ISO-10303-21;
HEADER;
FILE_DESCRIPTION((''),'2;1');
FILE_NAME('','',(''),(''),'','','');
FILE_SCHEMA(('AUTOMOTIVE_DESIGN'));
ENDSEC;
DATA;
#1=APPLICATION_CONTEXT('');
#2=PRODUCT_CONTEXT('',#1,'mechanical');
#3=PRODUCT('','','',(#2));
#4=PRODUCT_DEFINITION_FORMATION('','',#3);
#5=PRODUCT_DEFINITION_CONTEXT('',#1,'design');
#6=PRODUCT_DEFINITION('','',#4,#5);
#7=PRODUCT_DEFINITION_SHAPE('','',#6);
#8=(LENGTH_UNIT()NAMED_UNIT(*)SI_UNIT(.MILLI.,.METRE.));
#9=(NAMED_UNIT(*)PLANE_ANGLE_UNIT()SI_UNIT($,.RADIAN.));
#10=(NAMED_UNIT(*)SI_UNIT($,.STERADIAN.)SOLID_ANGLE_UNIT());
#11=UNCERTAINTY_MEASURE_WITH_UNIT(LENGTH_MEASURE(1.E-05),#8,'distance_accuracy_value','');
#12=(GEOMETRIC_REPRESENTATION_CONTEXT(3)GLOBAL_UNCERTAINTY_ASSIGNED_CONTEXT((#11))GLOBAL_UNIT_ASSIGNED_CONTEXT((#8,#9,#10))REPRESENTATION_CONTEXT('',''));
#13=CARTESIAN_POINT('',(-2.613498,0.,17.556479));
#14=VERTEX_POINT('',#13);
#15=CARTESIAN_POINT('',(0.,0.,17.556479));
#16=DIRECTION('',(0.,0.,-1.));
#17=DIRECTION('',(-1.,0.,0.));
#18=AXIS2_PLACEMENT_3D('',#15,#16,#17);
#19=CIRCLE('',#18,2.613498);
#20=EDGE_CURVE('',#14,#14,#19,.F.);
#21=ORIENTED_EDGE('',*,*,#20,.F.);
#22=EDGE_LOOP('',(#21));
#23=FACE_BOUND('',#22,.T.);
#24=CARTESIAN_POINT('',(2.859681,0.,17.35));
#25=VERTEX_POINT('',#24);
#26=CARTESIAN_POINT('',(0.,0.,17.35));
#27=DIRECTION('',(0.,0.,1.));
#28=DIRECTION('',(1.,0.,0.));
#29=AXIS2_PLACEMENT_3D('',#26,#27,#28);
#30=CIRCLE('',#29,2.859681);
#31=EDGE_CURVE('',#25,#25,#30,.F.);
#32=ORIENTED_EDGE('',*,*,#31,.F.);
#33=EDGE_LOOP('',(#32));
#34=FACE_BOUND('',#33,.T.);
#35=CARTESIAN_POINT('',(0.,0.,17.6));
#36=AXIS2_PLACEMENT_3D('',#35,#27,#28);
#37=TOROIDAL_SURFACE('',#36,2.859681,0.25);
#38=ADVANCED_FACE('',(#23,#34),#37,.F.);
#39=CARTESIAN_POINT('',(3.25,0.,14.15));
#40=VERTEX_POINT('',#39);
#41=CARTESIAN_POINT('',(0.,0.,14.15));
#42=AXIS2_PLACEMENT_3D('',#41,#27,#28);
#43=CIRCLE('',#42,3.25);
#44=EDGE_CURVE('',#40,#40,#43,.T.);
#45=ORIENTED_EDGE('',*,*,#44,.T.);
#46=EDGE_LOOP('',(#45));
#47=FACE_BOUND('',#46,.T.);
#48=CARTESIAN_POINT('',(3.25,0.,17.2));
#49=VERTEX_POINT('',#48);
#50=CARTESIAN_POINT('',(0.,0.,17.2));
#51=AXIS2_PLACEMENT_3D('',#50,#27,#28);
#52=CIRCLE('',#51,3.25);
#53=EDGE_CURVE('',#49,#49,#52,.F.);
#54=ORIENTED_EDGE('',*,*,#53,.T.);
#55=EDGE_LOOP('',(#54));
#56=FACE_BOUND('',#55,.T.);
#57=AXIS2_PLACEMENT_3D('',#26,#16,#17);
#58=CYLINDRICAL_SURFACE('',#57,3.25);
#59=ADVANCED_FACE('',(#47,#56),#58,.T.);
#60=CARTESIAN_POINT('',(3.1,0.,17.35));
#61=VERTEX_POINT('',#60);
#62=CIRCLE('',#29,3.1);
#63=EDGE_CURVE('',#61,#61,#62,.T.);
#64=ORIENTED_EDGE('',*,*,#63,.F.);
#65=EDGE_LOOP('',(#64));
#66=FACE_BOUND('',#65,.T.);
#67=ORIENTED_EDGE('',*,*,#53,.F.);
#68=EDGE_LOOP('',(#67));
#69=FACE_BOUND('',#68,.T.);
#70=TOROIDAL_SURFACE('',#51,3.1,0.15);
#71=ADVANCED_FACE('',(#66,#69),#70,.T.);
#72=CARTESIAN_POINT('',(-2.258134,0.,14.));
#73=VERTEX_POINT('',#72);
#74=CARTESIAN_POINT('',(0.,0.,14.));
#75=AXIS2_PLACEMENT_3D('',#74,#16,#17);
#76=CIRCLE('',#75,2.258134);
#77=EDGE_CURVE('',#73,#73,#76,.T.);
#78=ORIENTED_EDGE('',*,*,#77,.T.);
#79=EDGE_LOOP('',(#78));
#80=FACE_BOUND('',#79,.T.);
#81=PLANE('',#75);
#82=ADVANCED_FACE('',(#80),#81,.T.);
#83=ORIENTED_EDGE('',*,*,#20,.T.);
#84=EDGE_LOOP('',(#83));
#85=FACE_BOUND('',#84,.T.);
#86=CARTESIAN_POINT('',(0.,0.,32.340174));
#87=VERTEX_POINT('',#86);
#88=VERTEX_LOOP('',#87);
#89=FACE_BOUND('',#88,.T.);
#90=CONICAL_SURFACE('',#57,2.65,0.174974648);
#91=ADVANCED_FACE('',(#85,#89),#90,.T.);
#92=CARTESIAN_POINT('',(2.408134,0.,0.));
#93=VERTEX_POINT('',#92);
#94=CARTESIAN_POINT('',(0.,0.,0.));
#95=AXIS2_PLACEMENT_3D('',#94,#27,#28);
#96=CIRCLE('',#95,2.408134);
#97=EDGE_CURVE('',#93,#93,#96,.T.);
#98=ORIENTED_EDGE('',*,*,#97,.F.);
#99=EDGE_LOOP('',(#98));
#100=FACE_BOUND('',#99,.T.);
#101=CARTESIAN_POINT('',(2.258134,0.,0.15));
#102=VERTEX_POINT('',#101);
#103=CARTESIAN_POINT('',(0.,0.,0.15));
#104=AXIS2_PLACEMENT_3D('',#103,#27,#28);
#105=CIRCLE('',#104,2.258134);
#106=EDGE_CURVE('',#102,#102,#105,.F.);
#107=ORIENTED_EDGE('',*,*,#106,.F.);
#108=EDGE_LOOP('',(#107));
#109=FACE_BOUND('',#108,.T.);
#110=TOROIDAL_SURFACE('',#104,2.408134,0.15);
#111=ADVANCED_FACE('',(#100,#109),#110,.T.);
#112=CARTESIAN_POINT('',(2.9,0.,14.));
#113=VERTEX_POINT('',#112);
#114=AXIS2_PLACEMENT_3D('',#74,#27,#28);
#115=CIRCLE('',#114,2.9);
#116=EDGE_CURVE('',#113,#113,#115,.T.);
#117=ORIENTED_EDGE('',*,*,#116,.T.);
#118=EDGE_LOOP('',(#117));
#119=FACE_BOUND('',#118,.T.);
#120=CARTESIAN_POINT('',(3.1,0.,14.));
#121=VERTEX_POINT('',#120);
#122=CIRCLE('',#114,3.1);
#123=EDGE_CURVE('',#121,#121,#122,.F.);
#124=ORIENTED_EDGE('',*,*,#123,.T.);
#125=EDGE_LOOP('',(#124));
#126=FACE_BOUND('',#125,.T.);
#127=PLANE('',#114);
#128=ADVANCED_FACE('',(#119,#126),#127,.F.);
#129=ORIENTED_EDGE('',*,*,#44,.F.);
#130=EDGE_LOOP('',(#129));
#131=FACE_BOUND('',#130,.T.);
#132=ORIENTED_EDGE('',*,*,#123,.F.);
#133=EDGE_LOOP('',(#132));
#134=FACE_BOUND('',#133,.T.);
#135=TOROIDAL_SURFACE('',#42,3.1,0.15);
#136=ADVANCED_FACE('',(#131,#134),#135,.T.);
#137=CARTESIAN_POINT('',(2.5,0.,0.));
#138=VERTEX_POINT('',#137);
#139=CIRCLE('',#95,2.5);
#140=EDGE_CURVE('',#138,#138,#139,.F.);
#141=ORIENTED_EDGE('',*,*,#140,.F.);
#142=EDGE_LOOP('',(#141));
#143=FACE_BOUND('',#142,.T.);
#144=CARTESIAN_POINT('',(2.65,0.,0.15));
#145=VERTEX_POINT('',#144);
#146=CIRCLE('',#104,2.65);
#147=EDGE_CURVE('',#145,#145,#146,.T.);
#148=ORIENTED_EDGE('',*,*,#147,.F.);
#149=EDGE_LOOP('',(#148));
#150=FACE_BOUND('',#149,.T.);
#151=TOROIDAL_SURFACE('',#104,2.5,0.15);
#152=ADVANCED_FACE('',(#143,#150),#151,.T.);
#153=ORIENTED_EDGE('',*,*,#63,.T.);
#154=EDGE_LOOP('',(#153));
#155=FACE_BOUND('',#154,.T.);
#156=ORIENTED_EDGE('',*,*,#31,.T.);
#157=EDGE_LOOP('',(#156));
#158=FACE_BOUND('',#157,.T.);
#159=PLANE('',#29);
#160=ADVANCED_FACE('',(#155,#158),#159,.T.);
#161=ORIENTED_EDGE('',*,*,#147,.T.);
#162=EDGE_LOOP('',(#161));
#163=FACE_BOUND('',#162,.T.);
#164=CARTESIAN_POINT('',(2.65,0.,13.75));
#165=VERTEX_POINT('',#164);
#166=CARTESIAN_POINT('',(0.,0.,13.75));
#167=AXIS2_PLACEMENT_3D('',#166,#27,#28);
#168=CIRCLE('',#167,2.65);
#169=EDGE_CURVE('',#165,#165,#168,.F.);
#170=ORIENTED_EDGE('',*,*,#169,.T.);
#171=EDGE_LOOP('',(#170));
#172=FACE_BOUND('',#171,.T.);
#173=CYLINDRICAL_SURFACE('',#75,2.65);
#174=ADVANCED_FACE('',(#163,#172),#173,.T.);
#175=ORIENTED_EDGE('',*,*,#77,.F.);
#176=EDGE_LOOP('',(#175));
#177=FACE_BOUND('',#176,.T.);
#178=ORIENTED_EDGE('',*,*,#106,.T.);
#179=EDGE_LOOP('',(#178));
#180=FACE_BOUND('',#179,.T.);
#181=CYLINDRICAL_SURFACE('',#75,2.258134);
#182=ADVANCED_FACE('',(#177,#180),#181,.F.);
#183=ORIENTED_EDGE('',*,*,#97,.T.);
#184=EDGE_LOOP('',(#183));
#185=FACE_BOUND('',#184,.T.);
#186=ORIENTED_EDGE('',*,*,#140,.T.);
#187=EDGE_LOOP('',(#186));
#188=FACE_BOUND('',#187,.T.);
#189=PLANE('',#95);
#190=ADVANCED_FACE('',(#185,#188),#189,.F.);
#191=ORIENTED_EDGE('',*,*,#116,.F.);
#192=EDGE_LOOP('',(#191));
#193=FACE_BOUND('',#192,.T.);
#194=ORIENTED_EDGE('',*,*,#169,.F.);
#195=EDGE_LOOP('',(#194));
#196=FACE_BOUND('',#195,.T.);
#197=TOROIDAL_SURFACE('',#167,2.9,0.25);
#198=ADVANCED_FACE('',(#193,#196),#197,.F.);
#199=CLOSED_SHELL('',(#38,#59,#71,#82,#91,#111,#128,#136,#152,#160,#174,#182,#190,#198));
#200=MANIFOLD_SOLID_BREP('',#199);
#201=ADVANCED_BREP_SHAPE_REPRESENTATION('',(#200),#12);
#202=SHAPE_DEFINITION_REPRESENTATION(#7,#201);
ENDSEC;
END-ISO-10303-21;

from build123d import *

# Parameters (mm, degrees)
ESQUISSE1_R             = 2.65
BOSS_EXTRU_1_DEPTH      = 14
ESQUISSE2_R             = 3.25
BOSS_EXTRU_2_DEPTH      = 3.35
CONG_1_R                = 0.25
CONG_2_R                = 0.15
ESQUISSE4_R             = 2.258133723
ENL_V_MAT_EXTRU_1_DEPTH = 14
CONG_3_R                = 0.15


with BuildPart() as part:
    # Esquisse1 → Boss.-Extru.1 (new body)
    with BuildSketch(Plane.XY):
        Circle(ESQUISSE1_R)
    extrude(amount=BOSS_EXTRU_1_DEPTH)

    # Esquisse2 → Boss.-Extru.2 (add)
    with BuildSketch(Plane.XY.offset(14)):
        Circle(ESQUISSE2_R)
    extrude(amount=BOSS_EXTRU_2_DEPTH)

    # Esquisse3 → Révolution1 (revolve)
    with BuildSketch(Plane(origin=(0, 0, 0), x_dir=(1, 0, 0), z_dir=(0, 1, 0))):
        Polygon((0, -32.340173819), (-2.65, -17.35), (0, -17.35), align=None)
    revolve(axis=Axis((0, 0, 17.35), (0, 0, 1)))

    # Congé1
    cong_1_edges = [part.edges().sort_by_distance(p)[0] for p in [
        (-2.65, 0, 14),
        (2.65, 0, 17.35),
    ]]
    fillet(cong_1_edges, radius=CONG_1_R)

    # Congé2
    cong_2_edges = [part.edges().sort_by_distance(p)[0] for p in [
        (-3.25, 0, 14),
        (-3.25, 0, 17.35),
    ]]
    fillet(cong_2_edges, radius=CONG_2_R)

    # Esquisse4 → Enlèv. mat.-Extru.1 (cut)
    with BuildSketch(Plane(origin=(0, 0, 0), x_dir=(-1, 0, 0), z_dir=(0, 0, -1))):
        Circle(ESQUISSE4_R)
    extrude(amount=-ENL_V_MAT_EXTRU_1_DEPTH, mode=Mode.SUBTRACT)

    # Congé3
    cong_3_edges = [part.edges().sort_by_distance(p)[0] for p in [
        (-2.65, 0, 0),
        (2.258133723, 0, 0),
    ]]
    fillet(cong_3_edges, radius=CONG_3_R)


solid = part.part
